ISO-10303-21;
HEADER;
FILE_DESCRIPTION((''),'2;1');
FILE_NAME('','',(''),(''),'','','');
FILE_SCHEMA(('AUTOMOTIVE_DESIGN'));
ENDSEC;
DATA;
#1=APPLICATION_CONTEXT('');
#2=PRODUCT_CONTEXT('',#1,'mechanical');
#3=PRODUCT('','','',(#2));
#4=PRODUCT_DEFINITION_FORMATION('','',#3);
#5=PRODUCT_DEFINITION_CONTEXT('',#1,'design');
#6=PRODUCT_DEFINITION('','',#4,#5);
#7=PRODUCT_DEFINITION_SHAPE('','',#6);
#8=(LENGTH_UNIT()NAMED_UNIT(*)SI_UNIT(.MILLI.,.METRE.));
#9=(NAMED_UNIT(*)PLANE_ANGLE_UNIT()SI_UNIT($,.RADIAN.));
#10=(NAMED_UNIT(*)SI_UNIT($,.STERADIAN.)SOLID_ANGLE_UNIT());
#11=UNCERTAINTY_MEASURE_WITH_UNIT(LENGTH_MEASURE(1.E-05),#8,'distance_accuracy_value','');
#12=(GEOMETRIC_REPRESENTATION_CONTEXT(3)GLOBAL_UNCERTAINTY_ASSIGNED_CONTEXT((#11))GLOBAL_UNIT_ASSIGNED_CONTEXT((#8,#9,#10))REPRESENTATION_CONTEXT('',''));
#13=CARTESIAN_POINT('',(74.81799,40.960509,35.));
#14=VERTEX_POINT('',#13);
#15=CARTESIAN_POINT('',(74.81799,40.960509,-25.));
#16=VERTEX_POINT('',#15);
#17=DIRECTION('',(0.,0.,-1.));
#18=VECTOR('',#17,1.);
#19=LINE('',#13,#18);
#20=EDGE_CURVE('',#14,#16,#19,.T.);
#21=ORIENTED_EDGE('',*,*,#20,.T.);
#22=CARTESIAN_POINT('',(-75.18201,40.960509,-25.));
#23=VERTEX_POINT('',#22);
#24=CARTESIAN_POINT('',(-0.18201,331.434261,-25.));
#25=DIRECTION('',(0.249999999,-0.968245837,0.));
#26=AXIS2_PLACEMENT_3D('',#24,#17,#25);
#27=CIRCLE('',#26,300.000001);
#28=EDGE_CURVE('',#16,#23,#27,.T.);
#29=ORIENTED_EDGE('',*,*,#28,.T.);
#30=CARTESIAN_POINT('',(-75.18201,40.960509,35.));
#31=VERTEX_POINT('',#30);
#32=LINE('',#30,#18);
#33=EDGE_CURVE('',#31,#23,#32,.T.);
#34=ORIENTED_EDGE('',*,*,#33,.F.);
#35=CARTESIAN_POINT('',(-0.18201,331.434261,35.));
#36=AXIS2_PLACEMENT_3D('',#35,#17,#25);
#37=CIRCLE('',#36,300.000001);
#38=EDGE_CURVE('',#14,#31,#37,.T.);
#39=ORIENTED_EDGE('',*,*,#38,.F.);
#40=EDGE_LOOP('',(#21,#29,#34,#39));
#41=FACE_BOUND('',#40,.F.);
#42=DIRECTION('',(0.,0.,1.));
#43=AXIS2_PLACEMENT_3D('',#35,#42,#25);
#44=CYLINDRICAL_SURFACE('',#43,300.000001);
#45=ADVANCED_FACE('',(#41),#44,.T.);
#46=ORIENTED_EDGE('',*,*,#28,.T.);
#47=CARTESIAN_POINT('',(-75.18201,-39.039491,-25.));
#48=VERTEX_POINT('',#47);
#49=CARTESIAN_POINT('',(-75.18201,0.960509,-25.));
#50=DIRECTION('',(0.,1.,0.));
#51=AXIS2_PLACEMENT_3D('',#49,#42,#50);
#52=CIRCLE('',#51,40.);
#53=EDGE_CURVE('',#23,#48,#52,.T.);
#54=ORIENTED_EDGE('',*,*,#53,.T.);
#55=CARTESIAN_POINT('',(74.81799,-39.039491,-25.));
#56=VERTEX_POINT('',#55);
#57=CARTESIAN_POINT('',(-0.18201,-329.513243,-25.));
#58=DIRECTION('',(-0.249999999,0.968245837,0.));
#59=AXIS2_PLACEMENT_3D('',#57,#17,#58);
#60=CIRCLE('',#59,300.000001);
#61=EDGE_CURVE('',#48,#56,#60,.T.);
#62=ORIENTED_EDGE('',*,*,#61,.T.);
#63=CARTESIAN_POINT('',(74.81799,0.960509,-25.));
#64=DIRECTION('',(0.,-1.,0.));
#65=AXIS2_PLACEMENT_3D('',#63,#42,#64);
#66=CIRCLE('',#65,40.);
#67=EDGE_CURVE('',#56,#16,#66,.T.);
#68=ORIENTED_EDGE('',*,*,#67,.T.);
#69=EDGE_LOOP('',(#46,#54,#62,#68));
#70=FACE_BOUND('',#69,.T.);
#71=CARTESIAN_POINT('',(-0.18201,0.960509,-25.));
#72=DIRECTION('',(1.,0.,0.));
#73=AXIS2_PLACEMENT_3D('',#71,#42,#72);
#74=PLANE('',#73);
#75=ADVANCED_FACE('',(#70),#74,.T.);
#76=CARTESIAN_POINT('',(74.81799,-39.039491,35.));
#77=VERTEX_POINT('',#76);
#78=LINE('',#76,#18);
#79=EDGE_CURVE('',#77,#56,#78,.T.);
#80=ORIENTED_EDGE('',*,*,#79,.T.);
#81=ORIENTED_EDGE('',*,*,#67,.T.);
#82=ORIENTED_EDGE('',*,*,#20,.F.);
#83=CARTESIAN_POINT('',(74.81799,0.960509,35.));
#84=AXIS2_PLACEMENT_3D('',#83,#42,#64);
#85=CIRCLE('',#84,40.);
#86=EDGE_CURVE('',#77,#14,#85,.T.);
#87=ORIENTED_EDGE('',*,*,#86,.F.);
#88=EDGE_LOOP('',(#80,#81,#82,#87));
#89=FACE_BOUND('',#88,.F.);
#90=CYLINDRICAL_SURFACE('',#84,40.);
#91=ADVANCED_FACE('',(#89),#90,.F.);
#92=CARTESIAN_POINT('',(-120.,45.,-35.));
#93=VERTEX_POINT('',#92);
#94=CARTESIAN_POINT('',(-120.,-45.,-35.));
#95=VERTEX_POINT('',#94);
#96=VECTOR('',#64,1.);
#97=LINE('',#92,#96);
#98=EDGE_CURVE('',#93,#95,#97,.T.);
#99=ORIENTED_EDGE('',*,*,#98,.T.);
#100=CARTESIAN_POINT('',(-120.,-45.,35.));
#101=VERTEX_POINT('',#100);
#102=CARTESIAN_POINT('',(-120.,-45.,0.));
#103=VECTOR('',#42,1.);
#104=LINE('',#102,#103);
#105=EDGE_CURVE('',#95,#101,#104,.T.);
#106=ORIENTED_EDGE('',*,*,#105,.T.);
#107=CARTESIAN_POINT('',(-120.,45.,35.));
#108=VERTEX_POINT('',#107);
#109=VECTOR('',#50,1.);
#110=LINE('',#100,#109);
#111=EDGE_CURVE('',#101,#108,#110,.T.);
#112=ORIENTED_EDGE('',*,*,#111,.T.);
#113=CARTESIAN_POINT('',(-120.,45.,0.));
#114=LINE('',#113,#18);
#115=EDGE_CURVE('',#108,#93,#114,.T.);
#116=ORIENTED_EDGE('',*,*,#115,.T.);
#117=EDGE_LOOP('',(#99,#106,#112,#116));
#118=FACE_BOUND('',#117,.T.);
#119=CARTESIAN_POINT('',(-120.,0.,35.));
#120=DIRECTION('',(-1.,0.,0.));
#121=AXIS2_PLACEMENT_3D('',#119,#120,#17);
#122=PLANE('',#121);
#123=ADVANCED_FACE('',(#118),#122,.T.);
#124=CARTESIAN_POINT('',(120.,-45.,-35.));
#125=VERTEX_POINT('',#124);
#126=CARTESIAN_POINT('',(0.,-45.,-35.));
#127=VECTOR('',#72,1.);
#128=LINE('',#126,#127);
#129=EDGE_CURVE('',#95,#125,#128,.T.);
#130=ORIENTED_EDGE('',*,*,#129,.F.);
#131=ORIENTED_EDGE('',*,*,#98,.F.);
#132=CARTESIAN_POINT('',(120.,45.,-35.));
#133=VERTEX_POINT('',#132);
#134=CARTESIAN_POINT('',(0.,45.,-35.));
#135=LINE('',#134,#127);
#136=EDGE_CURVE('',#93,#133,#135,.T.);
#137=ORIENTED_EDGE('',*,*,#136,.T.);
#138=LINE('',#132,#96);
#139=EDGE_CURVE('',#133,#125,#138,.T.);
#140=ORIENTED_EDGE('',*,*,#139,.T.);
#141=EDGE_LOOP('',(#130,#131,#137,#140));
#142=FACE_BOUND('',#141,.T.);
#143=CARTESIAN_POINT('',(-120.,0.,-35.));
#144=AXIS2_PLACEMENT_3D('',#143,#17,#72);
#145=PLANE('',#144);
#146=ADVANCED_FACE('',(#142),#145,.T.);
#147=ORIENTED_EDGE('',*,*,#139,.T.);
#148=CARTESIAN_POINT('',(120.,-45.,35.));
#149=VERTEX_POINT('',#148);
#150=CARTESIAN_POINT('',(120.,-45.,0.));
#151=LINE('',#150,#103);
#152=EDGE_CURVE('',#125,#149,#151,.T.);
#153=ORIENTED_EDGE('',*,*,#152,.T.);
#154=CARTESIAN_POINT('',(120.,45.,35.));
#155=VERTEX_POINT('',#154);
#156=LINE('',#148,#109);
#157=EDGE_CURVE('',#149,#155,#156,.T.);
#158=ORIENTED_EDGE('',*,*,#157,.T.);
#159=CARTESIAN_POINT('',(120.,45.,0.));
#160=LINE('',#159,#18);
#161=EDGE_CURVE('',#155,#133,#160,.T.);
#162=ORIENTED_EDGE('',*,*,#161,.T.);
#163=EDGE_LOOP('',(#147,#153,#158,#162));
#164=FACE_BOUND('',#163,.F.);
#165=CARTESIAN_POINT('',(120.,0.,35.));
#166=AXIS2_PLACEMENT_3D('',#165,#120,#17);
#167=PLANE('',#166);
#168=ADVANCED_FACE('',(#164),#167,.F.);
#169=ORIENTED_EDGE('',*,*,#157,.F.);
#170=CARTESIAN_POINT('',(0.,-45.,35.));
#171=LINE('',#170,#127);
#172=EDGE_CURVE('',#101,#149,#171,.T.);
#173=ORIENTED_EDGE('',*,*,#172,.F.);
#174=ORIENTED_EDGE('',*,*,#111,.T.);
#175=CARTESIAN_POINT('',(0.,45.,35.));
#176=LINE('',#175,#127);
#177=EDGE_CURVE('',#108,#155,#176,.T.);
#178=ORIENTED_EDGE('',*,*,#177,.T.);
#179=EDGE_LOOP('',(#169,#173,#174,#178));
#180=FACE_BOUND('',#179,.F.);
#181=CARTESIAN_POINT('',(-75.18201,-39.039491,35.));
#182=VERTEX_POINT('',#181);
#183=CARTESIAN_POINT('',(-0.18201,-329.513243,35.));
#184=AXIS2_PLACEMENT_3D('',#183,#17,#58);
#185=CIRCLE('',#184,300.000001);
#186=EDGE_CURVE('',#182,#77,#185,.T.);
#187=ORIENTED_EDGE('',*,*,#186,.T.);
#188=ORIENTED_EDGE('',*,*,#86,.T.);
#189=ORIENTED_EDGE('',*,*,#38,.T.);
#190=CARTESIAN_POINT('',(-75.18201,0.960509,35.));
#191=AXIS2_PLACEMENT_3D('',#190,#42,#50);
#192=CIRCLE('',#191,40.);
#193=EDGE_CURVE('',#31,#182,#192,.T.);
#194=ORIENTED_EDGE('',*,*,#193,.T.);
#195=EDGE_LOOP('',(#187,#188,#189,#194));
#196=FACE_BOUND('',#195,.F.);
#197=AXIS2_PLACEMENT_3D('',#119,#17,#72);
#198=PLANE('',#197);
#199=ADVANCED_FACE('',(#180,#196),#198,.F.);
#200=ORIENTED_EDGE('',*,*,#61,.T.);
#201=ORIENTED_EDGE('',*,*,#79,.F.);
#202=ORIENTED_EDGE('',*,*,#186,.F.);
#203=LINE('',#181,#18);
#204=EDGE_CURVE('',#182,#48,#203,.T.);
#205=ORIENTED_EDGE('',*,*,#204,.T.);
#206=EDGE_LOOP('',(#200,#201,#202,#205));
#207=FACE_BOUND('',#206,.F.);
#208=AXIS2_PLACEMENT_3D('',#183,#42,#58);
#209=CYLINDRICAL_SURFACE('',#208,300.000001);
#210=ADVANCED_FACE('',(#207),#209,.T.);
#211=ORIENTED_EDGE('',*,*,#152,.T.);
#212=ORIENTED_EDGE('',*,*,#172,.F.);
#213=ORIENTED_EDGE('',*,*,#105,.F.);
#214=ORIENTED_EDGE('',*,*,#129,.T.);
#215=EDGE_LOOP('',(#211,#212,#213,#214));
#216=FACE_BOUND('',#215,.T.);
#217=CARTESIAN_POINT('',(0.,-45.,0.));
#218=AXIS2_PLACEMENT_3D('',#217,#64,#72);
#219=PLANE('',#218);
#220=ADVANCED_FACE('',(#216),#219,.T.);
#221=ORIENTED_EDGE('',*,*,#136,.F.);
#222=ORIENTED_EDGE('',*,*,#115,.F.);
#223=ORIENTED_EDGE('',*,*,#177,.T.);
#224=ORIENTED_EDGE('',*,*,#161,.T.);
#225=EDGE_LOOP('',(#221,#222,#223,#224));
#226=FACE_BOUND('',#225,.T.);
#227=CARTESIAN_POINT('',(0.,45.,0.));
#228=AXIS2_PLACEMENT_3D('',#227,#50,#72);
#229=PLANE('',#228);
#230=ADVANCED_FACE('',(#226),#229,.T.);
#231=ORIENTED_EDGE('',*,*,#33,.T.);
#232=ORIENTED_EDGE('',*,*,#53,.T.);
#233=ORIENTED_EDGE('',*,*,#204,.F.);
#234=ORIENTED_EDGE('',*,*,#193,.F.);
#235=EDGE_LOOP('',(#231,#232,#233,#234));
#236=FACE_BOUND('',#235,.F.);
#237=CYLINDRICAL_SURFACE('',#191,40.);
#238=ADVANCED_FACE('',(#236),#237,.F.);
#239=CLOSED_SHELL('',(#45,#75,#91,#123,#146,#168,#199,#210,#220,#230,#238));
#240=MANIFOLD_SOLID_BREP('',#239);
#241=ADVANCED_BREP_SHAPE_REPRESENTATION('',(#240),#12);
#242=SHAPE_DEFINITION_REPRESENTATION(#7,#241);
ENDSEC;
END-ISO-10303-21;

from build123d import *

# Parameters (mm, degrees)
F0_W      = 240
F0_H      = 70
F1_DEPTH  = 45
F1_FACE_W = 240
F1_FACE_H = 70
F2_DEPTH  = 45
F5_DEPTH  = 60


with BuildPart() as f1:
    # F0 (on Front) → F1 (new body)
    with BuildSketch(Plane.XZ):
        Rectangle(F0_W, F0_H)
    extrude(amount=F1_DEPTH)

    # F1_face (on face) → F2 (join)
    with BuildSketch(Plane(origin=(0, 0, 0), x_dir=(1, 0, 0), z_dir=(0, 1, 0))):
        Rectangle(F1_FACE_W, F1_FACE_H)
    extrude(amount=F2_DEPTH)

    # F4 (on offset) → F5 (cut)
    with BuildSketch(Plane.XY.offset(35)):
        with BuildLine():
            ThreePointArc((-75.18201, -39.039491), (-0.18201, -29.513242), (74.81799, -39.039491))
            ThreePointArc((74.81799, -39.039491), (114.81799, 0.960509), (74.81799, 40.960509))
            ThreePointArc((74.81799, 40.960509), (-0.18201, 31.43426), (-75.18201, 40.960509))
            ThreePointArc((-75.18201, 40.960509), (-115.18201, 0.960509), (-75.18201, -39.039491))
        make_face()
    extrude(amount=-F5_DEPTH, mode=Mode.SUBTRACT)


solid = f1.part
